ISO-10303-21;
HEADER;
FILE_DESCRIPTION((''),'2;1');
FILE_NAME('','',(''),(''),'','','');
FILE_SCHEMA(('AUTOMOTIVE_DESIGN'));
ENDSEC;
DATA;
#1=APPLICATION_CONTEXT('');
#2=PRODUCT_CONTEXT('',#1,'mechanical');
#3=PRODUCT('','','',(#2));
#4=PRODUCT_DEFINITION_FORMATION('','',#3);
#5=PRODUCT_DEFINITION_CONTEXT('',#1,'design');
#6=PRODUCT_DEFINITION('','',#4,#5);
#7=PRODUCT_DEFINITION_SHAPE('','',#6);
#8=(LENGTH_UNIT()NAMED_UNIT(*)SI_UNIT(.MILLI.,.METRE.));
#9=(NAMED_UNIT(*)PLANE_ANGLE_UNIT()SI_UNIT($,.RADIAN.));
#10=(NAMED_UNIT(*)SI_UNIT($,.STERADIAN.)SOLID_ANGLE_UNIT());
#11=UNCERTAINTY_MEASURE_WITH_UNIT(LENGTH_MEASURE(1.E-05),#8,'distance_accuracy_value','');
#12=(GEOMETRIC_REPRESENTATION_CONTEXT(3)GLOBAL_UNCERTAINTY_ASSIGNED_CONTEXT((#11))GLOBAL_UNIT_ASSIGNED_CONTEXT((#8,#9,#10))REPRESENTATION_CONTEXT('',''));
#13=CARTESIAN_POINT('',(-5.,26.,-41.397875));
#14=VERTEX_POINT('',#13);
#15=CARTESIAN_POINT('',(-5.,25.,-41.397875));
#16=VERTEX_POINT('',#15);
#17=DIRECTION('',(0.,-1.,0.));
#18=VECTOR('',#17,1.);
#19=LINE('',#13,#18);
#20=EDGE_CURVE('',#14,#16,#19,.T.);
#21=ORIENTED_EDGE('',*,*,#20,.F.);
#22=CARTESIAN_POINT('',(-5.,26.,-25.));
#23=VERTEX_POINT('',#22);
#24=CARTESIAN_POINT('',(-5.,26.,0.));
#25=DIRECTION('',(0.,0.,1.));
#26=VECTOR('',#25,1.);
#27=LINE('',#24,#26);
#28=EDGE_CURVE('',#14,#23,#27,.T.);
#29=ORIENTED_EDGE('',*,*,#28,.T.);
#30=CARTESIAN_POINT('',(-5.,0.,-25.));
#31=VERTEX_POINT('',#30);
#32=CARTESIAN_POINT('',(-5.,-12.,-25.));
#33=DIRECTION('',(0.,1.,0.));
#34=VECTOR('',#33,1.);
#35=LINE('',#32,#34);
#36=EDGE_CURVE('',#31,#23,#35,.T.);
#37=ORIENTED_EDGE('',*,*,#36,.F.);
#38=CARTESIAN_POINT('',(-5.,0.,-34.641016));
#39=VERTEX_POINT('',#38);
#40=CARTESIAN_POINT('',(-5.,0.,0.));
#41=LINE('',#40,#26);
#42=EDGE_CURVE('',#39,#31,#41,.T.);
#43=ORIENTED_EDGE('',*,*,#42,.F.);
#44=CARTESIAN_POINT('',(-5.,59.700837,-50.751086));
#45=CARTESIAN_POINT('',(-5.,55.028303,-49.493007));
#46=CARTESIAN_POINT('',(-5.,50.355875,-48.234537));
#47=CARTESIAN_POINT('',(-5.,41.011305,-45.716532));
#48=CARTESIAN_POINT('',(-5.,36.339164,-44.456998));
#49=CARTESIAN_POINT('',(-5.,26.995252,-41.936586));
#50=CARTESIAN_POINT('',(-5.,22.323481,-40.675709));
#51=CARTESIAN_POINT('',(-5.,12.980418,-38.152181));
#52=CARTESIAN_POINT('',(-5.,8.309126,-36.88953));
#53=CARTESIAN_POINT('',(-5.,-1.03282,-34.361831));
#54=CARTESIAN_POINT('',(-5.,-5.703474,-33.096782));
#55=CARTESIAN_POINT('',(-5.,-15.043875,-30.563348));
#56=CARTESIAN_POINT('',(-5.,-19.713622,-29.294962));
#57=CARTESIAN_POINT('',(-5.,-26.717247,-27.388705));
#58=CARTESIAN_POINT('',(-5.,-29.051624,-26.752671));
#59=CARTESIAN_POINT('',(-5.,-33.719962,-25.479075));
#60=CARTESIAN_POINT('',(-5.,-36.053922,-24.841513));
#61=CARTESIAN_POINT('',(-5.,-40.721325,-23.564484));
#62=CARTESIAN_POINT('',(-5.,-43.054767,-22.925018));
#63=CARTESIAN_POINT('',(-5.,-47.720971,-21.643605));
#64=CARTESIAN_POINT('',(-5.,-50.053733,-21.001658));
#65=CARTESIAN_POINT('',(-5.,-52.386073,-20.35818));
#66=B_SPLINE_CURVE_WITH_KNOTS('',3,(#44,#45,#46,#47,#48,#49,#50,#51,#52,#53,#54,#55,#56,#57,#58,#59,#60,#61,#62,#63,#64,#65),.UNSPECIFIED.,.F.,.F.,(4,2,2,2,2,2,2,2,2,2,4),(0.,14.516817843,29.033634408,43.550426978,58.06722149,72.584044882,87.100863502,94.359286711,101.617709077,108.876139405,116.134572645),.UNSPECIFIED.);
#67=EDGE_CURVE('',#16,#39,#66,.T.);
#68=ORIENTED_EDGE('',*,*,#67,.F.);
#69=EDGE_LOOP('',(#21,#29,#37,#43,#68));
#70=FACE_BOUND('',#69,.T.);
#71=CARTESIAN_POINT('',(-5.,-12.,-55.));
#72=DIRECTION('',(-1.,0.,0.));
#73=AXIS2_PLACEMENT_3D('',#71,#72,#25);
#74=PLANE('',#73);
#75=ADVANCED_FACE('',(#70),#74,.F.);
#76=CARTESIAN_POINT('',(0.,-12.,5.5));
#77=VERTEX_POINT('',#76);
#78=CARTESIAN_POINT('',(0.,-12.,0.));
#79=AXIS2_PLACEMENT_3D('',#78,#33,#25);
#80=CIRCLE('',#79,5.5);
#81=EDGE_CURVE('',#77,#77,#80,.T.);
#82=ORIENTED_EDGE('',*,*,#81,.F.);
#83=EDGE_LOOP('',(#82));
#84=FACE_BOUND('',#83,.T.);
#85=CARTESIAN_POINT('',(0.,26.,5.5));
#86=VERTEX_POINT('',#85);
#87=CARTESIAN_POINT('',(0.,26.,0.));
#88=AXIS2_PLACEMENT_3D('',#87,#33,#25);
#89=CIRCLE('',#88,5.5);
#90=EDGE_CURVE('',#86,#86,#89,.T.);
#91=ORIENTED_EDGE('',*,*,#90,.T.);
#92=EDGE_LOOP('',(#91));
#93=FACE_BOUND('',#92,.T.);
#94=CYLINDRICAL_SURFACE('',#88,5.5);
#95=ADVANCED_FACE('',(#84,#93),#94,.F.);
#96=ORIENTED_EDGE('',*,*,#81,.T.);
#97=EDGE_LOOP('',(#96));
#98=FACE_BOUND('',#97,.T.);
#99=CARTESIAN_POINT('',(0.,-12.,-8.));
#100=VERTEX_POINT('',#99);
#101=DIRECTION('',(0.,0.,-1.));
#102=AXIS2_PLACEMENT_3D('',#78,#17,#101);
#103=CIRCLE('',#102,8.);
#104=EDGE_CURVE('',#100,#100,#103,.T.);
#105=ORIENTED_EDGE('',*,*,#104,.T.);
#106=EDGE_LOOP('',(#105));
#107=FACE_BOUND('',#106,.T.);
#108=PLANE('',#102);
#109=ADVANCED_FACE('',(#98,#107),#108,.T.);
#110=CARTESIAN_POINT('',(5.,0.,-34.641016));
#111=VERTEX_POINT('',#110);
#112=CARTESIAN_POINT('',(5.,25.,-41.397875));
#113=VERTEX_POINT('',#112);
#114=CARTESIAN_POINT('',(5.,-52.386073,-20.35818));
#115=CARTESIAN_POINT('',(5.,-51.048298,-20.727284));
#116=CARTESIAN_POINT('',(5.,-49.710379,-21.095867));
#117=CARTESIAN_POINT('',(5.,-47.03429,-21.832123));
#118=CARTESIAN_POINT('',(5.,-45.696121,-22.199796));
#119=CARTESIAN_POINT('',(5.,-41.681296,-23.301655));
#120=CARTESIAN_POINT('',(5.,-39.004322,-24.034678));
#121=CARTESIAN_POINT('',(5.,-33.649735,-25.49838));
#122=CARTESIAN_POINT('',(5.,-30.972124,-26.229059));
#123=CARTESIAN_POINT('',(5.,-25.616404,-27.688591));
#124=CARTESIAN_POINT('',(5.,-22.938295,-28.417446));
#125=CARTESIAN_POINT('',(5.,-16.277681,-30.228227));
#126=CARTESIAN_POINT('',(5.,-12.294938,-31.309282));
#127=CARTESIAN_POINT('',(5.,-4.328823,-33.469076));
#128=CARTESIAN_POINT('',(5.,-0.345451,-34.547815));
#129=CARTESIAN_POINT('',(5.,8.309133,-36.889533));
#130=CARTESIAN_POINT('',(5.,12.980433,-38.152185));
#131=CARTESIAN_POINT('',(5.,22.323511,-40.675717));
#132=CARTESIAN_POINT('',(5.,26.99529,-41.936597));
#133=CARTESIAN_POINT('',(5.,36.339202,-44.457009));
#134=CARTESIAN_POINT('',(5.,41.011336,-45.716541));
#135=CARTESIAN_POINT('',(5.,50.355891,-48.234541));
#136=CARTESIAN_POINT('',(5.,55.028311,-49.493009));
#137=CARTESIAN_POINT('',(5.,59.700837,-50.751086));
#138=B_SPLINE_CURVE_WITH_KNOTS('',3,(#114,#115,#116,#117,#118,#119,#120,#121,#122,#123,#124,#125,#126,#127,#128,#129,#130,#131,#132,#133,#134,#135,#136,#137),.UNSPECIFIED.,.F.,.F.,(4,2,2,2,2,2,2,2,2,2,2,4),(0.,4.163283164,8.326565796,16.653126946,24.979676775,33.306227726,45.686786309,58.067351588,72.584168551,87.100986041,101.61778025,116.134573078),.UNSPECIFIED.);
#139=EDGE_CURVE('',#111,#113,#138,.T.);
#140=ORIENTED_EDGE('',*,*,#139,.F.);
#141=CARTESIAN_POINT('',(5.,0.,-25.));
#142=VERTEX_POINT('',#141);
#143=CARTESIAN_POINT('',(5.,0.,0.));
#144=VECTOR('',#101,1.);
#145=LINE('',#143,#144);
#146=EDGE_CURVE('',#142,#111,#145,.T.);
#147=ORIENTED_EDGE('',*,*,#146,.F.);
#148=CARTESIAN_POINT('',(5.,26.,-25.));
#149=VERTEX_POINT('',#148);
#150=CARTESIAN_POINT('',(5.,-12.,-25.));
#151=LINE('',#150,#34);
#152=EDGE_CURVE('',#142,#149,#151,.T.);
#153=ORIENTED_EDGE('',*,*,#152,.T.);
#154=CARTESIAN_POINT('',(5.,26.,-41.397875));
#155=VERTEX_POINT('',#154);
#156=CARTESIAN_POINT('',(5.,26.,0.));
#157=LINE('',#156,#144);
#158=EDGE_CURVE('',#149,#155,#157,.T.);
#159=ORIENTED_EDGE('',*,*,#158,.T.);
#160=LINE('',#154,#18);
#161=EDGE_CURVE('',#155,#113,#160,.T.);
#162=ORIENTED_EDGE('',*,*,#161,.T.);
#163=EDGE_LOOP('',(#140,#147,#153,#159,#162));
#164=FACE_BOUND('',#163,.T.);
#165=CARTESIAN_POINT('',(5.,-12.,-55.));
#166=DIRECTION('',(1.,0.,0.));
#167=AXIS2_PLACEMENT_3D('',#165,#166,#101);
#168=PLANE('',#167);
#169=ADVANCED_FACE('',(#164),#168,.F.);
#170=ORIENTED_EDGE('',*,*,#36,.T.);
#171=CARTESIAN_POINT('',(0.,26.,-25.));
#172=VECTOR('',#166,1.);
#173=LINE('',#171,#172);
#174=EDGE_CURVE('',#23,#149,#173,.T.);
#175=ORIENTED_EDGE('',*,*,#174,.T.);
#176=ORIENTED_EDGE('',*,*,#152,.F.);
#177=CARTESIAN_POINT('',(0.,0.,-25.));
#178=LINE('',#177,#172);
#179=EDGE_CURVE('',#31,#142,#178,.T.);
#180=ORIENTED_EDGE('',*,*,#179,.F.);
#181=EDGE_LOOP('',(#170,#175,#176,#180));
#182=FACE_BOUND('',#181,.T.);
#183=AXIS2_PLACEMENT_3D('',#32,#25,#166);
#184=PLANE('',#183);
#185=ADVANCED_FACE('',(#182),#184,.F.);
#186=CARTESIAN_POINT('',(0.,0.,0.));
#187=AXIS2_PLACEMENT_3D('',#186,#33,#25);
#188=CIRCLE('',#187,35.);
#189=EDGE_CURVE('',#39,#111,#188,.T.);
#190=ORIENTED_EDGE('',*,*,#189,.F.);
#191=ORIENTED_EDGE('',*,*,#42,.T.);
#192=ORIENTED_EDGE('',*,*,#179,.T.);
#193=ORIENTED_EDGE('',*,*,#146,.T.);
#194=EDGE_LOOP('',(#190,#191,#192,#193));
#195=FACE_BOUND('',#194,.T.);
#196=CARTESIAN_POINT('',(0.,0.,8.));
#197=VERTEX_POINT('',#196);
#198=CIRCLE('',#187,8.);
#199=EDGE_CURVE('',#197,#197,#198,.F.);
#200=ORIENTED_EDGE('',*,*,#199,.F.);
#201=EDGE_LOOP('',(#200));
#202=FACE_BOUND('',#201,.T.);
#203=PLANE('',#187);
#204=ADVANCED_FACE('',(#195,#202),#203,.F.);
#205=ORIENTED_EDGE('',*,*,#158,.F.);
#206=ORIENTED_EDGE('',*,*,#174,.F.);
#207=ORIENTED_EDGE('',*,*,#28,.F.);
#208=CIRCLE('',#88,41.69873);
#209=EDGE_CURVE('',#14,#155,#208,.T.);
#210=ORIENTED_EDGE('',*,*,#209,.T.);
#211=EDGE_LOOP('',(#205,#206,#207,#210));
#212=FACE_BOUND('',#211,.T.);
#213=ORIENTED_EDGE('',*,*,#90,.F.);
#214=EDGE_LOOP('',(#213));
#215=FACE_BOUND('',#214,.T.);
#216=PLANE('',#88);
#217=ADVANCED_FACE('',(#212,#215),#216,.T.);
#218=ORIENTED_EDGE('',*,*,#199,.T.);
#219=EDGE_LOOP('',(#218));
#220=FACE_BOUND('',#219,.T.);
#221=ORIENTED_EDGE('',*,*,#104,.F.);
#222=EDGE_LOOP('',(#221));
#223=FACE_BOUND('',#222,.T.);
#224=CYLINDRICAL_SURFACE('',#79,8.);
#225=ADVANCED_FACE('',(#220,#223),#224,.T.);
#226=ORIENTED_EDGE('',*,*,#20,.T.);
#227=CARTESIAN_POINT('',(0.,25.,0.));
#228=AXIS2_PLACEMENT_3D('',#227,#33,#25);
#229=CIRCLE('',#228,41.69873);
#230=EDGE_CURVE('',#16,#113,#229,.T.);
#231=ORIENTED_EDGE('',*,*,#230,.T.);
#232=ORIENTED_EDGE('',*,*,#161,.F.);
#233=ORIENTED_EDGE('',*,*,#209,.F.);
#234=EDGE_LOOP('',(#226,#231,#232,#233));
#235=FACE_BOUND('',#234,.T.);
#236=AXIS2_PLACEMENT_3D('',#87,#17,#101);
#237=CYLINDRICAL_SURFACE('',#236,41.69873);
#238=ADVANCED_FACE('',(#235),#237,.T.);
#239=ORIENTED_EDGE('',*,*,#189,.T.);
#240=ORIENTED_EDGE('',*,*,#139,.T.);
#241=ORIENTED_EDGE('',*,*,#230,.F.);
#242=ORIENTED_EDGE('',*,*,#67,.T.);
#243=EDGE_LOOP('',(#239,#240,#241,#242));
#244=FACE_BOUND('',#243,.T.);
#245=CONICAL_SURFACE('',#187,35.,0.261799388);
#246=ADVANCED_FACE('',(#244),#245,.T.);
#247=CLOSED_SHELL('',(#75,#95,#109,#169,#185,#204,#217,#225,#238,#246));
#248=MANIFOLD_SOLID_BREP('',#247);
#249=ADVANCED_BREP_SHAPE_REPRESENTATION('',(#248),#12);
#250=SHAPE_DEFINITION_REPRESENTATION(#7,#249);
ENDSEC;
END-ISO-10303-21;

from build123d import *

# Parameters (mm, degrees)
SKETCH1_R                  = 35
EXTRUDE1_DEPTH             = 25
EXTRUDE1_DRAFT             = -15
SKETCH2_R                  = 8
EXTRUDE2_DEPTH             = 12
SKETCH3_W                  = 10
SKETCH3_H                  = 30
CUT_EXTRUDE1_DEPTH         = 70.617297676
EXTRUDE4_DEPTH             = 1
F_11_0_11_DIAMETER_HOLE1_D = 11


with BuildPart() as part:
    # Sketch1 → Extrude1 (with draft: the straight prism first)
    with BuildSketch(Plane(origin=(0, 0, 0), x_dir=(1, 0, 0), z_dir=(0, 1, 0))):
        Circle(SKETCH1_R)
    extrude(amount=EXTRUDE1_DEPTH)
    # Extrude1: the draft: its side faces are tilted about the plane it starts from
    extrude1_sides = [part.faces().sort_by_distance(p)[0] for p in [
        (-35, 12.5, 0),
    ]]
    draft(extrude1_sides, Plane(origin=(0, 0, 0), x_dir=(1, 0, 0), z_dir=(0, 1, 0)), EXTRUDE1_DRAFT)

    # Sketch2 → Extrude2 (add)
    with BuildSketch(Plane.XZ):
        with Locations(Location((0, 0, 0), (0, 0, 90))):
            Circle(SKETCH2_R)
    extrude(amount=EXTRUDE2_DEPTH)

    # Sketch3 → Cut-Extrude1 (cut, through all)
    with BuildSketch(Plane(origin=(0, 25, 0), x_dir=(1, 0, 0), z_dir=(0, 1, 0))):
        with Locations((0, 40)):
            Rectangle(SKETCH3_W, SKETCH3_H)
    extrude(amount=-CUT_EXTRUDE1_DEPTH, mode=Mode.SUBTRACT)

    # Sketch5 → Extrude4 (add)
    with BuildSketch(Plane(origin=(0, 25, 0), x_dir=(1, 0, 0), z_dir=(0, 1, 0))):
        with BuildLine():
            Line((-5, 25), (-5, 41.397875161))
            ThreePointArc((-5, 41.397875161), (0, -41.698729811), (5, 41.397875161))
            Line((5, 41.397875161), (5, 25))
            Line((5, 25), (-5, 25))
        make_face()
    extrude(amount=EXTRUDE4_DEPTH)

    # Ø11.0 (11) Diameter Hole1 (through all)
    with Locations(Plane(origin=(0, 26, 0), x_dir=(1, 0, 0), z_dir=(0, 1, 0))):
        with Locations((0, 0)):
            Hole(F_11_0_11_DIAMETER_HOLE1_D / 2)


solid = part.part
